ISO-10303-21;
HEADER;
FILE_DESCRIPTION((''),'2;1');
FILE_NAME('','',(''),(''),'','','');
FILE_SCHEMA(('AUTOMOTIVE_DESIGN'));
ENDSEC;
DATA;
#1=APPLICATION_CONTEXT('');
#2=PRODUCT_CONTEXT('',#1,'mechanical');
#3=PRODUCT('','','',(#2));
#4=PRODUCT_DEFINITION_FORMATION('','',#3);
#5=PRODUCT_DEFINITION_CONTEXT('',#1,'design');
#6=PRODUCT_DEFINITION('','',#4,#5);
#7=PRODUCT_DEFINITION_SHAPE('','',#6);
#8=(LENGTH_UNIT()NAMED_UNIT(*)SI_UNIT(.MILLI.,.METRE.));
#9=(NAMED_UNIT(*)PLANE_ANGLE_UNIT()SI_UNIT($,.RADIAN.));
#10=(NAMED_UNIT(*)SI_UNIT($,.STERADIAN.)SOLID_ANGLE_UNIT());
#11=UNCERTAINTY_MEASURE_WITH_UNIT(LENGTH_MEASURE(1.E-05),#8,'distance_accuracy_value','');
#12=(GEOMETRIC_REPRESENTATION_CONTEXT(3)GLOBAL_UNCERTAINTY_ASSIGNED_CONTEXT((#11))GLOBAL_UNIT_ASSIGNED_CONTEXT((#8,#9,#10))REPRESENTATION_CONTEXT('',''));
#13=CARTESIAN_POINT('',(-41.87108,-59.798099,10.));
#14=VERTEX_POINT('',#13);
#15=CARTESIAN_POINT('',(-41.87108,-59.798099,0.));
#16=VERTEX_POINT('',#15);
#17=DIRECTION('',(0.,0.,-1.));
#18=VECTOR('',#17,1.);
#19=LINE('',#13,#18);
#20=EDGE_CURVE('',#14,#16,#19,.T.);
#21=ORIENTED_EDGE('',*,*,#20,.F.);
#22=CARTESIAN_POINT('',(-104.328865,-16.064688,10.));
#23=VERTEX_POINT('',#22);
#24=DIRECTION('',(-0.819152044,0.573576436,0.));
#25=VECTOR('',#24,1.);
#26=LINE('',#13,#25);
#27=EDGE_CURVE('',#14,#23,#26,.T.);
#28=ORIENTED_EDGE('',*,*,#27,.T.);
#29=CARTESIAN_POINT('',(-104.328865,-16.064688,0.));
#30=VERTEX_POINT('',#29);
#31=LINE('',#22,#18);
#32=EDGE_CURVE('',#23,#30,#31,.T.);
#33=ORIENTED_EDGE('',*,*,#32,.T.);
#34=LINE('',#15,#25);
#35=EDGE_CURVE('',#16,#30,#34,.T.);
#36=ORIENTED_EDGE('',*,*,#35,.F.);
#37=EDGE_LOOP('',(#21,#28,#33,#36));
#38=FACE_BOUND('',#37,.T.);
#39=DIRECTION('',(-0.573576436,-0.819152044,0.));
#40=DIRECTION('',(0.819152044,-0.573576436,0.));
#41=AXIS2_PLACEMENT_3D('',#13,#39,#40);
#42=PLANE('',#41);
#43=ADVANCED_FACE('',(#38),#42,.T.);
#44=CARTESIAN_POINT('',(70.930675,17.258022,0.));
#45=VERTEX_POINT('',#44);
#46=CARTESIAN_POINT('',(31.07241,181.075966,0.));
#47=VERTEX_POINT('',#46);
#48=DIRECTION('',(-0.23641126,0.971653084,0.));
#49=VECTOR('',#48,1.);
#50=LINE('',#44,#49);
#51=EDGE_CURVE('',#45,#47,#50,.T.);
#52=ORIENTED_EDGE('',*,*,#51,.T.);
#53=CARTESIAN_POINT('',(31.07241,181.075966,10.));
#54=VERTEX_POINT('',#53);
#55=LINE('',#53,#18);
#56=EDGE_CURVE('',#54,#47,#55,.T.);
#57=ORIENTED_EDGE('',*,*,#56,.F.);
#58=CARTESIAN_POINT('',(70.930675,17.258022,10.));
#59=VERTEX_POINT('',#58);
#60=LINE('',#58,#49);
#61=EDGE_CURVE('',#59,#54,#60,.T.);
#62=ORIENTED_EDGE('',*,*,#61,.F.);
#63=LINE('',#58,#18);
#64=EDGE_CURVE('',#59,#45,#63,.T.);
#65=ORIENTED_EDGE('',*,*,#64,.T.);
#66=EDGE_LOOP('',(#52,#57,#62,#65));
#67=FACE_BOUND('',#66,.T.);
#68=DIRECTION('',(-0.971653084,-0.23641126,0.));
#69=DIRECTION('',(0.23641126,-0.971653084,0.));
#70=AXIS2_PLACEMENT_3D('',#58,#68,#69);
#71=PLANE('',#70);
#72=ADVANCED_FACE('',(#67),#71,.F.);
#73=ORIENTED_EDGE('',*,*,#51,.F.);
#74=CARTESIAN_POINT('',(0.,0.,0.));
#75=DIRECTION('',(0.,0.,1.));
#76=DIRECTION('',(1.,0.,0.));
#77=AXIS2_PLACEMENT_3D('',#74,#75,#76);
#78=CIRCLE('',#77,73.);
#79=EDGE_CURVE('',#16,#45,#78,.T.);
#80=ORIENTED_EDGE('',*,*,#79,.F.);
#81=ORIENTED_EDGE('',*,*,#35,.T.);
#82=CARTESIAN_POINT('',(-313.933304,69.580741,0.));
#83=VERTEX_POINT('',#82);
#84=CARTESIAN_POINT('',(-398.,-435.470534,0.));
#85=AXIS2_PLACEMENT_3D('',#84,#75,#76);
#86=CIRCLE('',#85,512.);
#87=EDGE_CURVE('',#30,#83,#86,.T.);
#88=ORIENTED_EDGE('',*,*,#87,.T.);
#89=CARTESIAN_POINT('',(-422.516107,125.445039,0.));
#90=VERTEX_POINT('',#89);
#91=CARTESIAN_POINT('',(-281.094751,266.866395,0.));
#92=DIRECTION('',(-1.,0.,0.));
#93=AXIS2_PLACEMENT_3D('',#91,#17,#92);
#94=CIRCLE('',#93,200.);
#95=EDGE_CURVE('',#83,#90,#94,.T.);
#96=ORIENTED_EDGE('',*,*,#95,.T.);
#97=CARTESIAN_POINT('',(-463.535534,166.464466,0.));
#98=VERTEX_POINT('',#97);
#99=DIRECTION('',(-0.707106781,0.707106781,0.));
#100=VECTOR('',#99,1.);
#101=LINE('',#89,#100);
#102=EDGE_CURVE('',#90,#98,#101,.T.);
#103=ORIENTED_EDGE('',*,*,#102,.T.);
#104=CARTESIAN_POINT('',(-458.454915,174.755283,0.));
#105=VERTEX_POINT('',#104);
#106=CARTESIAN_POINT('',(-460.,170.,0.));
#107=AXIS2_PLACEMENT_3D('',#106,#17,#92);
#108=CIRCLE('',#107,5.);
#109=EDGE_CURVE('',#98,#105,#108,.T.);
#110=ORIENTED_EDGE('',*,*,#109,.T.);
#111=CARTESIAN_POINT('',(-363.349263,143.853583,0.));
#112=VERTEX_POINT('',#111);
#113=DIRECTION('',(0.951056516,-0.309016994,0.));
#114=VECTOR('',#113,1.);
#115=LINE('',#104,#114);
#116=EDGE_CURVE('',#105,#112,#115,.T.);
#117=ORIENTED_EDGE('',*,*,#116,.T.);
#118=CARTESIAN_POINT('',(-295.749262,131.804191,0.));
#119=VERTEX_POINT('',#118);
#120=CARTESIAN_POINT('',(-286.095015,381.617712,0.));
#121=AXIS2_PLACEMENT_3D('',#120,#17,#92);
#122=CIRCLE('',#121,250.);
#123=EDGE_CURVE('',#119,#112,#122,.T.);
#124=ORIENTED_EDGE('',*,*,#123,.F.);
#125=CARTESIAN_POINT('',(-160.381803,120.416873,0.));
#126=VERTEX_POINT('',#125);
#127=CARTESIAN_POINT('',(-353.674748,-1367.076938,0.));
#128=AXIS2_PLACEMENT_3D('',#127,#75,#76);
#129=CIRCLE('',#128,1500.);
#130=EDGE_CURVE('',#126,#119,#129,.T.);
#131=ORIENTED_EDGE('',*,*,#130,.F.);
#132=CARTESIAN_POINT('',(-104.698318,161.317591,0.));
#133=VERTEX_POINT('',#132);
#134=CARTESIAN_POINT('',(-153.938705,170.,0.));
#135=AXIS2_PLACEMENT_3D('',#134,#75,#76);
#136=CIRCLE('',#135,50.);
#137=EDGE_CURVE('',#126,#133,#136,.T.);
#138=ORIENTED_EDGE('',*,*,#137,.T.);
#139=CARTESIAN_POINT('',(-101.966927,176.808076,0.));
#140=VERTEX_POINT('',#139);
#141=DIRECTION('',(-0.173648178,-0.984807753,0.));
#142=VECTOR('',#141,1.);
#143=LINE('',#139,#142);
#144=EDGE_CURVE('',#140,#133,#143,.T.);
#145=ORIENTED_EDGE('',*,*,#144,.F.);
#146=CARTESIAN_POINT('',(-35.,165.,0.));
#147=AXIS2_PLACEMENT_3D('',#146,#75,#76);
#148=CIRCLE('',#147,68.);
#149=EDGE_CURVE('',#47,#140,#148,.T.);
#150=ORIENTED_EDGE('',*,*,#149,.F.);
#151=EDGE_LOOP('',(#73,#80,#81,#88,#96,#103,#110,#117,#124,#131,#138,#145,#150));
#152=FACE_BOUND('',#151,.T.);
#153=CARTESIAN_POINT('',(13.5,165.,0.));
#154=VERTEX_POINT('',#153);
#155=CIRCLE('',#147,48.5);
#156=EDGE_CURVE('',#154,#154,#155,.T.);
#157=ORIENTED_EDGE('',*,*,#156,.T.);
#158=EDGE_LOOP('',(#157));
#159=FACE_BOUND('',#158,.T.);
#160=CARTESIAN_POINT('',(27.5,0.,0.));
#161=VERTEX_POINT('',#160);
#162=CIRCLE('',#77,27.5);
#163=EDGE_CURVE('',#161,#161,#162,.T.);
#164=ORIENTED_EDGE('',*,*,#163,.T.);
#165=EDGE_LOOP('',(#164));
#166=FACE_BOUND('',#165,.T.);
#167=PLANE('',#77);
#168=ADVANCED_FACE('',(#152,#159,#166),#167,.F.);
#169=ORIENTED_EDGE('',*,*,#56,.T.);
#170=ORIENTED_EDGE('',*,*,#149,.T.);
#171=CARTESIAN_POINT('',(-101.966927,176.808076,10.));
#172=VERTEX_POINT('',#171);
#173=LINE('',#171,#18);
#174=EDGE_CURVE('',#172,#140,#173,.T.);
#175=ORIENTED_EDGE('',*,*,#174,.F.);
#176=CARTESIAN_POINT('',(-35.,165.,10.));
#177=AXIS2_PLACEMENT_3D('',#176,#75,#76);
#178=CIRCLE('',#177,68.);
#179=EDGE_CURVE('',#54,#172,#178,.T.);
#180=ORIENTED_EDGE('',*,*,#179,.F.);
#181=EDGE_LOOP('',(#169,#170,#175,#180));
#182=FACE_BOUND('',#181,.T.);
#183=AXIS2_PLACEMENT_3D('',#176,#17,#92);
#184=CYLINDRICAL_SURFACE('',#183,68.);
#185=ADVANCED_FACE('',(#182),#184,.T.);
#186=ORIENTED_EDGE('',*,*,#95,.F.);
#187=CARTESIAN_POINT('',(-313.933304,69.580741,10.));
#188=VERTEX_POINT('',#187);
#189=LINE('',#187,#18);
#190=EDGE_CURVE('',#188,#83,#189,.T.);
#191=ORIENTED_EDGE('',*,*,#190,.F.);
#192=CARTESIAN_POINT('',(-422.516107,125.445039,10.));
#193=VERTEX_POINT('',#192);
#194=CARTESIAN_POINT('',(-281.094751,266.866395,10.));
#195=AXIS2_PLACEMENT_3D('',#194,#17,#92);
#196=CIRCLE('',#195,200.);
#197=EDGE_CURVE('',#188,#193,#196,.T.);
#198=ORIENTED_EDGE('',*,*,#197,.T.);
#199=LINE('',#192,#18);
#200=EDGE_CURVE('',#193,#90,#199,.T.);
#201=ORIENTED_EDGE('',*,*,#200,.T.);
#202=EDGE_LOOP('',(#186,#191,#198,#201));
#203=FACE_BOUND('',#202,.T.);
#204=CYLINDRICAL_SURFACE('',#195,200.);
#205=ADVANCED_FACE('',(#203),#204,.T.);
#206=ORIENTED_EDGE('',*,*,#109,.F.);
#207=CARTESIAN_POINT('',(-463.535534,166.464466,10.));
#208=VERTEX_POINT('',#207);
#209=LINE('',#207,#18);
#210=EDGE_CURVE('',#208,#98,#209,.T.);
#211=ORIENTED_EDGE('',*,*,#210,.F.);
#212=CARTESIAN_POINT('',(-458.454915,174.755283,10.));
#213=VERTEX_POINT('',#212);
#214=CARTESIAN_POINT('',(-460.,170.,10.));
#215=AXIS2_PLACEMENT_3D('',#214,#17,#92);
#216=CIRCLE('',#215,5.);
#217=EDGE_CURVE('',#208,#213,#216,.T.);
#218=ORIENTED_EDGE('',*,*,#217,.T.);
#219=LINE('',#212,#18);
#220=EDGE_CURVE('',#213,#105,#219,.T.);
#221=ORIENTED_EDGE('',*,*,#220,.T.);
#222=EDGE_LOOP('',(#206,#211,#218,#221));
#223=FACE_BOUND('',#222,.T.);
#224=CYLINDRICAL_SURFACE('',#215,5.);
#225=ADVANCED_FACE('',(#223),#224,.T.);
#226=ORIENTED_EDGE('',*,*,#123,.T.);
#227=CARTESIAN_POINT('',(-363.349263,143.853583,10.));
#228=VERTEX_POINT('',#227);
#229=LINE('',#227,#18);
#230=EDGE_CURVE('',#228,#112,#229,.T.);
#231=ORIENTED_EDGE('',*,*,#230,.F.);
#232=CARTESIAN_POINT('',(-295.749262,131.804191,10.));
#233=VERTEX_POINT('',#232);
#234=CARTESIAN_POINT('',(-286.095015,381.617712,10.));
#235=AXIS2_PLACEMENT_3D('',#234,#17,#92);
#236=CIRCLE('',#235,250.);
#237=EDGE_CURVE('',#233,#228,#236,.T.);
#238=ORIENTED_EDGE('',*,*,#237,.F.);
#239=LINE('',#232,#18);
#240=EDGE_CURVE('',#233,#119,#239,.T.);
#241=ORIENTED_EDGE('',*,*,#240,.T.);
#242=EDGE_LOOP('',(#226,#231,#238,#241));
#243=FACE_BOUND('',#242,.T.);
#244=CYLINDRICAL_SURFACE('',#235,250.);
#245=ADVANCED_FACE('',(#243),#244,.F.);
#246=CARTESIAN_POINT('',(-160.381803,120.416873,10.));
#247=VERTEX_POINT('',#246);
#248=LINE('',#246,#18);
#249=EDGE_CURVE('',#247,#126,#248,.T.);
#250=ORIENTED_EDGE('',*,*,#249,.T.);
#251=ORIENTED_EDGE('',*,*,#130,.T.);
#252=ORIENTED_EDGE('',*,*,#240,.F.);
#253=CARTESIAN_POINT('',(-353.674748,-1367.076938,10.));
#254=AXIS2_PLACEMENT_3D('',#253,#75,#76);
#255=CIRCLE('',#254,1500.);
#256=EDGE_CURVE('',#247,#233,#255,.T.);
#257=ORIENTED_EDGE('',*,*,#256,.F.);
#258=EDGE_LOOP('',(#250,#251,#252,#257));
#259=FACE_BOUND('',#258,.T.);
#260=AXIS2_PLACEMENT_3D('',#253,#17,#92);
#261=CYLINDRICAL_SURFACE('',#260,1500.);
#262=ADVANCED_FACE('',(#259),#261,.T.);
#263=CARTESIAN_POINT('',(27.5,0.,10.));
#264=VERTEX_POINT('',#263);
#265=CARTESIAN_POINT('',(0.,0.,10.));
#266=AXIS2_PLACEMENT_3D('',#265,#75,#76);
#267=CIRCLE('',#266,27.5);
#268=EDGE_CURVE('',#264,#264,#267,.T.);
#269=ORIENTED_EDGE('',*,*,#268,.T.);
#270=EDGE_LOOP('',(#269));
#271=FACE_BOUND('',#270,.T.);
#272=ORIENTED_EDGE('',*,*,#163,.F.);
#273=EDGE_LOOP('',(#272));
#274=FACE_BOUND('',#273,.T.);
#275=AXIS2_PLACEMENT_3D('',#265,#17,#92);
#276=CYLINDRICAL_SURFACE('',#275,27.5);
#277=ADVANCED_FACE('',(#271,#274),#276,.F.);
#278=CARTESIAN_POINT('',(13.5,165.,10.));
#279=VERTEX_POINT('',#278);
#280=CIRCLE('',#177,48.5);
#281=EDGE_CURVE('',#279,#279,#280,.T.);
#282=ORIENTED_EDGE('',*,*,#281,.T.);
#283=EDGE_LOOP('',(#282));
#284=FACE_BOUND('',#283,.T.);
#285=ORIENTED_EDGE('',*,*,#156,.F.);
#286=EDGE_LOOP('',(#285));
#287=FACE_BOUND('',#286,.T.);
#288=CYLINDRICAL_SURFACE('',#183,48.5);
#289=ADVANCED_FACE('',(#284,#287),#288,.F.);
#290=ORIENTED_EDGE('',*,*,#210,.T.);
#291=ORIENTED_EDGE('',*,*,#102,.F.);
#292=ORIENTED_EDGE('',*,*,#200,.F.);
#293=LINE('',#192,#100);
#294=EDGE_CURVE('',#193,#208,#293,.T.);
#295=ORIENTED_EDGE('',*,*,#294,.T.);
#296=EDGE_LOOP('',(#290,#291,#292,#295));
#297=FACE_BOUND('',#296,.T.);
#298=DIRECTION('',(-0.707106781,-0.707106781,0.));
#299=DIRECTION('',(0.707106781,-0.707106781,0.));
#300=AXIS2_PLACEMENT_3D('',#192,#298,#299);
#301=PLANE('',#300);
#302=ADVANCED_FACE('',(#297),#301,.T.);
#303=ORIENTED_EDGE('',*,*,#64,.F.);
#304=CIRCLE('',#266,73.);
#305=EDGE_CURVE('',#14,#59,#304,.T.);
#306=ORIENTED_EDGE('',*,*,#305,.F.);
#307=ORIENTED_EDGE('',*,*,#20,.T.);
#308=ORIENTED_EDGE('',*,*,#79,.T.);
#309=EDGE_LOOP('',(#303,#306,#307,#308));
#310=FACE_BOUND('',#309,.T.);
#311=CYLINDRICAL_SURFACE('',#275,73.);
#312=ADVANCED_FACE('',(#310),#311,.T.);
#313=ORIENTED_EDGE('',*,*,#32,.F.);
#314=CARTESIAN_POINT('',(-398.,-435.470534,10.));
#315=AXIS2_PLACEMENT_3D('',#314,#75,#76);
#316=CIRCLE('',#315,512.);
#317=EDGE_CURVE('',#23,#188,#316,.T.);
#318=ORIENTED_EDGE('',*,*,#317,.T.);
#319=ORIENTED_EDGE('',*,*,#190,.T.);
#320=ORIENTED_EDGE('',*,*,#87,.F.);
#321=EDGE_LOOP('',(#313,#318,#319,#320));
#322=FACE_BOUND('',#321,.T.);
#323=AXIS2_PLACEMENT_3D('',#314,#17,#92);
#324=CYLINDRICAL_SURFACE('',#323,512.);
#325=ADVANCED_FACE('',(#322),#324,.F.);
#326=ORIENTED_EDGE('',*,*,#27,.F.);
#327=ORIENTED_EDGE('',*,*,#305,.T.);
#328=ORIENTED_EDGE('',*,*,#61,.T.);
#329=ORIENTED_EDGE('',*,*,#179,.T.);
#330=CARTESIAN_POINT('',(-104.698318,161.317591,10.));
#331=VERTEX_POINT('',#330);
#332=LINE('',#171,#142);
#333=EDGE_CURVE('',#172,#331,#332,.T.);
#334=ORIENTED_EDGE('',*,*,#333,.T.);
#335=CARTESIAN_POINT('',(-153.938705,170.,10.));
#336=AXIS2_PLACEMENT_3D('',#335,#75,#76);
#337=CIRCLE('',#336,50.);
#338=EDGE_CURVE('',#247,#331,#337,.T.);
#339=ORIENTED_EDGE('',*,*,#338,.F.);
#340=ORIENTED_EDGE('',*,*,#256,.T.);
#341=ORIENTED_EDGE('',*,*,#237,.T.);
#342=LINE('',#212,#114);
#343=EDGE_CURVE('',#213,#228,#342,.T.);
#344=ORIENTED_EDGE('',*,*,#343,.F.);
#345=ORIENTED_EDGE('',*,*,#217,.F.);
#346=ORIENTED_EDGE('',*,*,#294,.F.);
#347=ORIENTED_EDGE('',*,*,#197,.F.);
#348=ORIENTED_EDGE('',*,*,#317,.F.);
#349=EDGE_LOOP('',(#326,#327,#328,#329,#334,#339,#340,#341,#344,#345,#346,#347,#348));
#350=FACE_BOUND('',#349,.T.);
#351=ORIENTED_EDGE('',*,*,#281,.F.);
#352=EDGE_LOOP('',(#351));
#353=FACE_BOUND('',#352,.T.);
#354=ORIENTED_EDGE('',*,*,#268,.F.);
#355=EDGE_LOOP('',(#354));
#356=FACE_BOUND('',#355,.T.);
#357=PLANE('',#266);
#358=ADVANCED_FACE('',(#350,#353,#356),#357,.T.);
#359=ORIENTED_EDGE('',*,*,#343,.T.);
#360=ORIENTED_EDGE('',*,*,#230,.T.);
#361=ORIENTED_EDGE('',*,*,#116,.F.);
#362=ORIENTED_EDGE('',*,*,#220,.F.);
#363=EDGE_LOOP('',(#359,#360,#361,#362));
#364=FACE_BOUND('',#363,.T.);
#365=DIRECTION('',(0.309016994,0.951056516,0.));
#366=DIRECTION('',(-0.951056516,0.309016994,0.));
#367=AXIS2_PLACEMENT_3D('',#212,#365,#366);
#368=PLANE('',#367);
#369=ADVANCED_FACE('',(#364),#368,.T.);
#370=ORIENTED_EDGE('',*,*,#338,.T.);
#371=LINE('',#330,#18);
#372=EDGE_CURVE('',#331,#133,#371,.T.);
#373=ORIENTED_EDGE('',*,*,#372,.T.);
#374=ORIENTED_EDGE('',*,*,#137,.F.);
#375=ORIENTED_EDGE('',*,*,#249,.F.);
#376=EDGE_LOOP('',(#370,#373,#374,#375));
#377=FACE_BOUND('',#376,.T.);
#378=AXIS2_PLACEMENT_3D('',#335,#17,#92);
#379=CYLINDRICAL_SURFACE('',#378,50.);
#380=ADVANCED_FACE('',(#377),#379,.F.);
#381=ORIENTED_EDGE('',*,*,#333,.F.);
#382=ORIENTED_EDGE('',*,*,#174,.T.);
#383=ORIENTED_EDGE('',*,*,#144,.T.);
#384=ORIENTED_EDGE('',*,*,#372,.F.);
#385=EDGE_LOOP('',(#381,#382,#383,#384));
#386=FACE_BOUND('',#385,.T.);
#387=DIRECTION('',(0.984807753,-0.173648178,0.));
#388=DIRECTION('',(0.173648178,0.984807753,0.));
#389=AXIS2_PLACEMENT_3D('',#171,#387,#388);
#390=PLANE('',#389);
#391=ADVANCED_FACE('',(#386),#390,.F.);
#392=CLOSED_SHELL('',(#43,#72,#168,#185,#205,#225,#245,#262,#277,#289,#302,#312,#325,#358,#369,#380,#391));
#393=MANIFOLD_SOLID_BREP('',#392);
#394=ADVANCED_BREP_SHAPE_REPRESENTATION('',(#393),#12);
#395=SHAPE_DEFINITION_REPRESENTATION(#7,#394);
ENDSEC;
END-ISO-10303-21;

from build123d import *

# Parameters (mm, degrees)
SKETCH1_R          = 27.5
SKETCH1_R_2        = 48.5
BASE_EXTRUDE_DEPTH = 10


with BuildPart() as part:
    # Sketch1 → Base-Extrude (new body)
    with BuildSketch(Plane.XY):
        with BuildLine():
            Line((70.930675146, 17.258022001), (31.072409725, 181.075965699))
            ThreePointArc((31.072409725, 181.075965699), (-37.180312094, 232.965036888), (-101.966927205, 176.808076081))
            Line((-101.966927205, 176.808076081), (-104.698317648, 161.317591117))
            ThreePointArc((-104.698317648, 161.317591117), (-124.339394775, 129.702595413), (-160.381803445, 120.416872968))
            ThreePointArc((-160.381803445, 120.416872968), (-227.936557036, 127.643740719), (-295.749262378, 131.804190759))
            ThreePointArc((-295.749262378, 131.804190759), (-329.964920671, 135.496946415), (-363.349263399, 143.853583144))
            Line((-363.349263399, 143.853583144), (-458.454915028, 174.755282581))
            ThreePointArc((-458.454915028, 174.755282581), (-464.263200822, 172.612492824), (-463.535533906, 166.464466094))
            Line((-463.535533906, 166.464466094), (-422.516106966, 125.445039154))
            ThreePointArc((-422.516106966, 125.445039154), (-372.592477248, 89.023301508), (-313.933303895, 69.580741007))
            ThreePointArc((-313.933303895, 69.580741007), (-204.337272048, 38.490168586), (-104.328864588, -16.064687542))
            Line((-104.328864588, -16.064687542), (-41.871079854, -59.798099233))
            ThreePointArc((-41.871079854, -59.798099233), (41.176771055, -60.278300619), (70.930675146, 17.258022001))
        make_face()
        Circle(SKETCH1_R, mode=Mode.SUBTRACT)
        with Locations((-35, 165)):
            Circle(SKETCH1_R_2, mode=Mode.SUBTRACT)
    extrude(amount=BASE_EXTRUDE_DEPTH)


solid = part.part
